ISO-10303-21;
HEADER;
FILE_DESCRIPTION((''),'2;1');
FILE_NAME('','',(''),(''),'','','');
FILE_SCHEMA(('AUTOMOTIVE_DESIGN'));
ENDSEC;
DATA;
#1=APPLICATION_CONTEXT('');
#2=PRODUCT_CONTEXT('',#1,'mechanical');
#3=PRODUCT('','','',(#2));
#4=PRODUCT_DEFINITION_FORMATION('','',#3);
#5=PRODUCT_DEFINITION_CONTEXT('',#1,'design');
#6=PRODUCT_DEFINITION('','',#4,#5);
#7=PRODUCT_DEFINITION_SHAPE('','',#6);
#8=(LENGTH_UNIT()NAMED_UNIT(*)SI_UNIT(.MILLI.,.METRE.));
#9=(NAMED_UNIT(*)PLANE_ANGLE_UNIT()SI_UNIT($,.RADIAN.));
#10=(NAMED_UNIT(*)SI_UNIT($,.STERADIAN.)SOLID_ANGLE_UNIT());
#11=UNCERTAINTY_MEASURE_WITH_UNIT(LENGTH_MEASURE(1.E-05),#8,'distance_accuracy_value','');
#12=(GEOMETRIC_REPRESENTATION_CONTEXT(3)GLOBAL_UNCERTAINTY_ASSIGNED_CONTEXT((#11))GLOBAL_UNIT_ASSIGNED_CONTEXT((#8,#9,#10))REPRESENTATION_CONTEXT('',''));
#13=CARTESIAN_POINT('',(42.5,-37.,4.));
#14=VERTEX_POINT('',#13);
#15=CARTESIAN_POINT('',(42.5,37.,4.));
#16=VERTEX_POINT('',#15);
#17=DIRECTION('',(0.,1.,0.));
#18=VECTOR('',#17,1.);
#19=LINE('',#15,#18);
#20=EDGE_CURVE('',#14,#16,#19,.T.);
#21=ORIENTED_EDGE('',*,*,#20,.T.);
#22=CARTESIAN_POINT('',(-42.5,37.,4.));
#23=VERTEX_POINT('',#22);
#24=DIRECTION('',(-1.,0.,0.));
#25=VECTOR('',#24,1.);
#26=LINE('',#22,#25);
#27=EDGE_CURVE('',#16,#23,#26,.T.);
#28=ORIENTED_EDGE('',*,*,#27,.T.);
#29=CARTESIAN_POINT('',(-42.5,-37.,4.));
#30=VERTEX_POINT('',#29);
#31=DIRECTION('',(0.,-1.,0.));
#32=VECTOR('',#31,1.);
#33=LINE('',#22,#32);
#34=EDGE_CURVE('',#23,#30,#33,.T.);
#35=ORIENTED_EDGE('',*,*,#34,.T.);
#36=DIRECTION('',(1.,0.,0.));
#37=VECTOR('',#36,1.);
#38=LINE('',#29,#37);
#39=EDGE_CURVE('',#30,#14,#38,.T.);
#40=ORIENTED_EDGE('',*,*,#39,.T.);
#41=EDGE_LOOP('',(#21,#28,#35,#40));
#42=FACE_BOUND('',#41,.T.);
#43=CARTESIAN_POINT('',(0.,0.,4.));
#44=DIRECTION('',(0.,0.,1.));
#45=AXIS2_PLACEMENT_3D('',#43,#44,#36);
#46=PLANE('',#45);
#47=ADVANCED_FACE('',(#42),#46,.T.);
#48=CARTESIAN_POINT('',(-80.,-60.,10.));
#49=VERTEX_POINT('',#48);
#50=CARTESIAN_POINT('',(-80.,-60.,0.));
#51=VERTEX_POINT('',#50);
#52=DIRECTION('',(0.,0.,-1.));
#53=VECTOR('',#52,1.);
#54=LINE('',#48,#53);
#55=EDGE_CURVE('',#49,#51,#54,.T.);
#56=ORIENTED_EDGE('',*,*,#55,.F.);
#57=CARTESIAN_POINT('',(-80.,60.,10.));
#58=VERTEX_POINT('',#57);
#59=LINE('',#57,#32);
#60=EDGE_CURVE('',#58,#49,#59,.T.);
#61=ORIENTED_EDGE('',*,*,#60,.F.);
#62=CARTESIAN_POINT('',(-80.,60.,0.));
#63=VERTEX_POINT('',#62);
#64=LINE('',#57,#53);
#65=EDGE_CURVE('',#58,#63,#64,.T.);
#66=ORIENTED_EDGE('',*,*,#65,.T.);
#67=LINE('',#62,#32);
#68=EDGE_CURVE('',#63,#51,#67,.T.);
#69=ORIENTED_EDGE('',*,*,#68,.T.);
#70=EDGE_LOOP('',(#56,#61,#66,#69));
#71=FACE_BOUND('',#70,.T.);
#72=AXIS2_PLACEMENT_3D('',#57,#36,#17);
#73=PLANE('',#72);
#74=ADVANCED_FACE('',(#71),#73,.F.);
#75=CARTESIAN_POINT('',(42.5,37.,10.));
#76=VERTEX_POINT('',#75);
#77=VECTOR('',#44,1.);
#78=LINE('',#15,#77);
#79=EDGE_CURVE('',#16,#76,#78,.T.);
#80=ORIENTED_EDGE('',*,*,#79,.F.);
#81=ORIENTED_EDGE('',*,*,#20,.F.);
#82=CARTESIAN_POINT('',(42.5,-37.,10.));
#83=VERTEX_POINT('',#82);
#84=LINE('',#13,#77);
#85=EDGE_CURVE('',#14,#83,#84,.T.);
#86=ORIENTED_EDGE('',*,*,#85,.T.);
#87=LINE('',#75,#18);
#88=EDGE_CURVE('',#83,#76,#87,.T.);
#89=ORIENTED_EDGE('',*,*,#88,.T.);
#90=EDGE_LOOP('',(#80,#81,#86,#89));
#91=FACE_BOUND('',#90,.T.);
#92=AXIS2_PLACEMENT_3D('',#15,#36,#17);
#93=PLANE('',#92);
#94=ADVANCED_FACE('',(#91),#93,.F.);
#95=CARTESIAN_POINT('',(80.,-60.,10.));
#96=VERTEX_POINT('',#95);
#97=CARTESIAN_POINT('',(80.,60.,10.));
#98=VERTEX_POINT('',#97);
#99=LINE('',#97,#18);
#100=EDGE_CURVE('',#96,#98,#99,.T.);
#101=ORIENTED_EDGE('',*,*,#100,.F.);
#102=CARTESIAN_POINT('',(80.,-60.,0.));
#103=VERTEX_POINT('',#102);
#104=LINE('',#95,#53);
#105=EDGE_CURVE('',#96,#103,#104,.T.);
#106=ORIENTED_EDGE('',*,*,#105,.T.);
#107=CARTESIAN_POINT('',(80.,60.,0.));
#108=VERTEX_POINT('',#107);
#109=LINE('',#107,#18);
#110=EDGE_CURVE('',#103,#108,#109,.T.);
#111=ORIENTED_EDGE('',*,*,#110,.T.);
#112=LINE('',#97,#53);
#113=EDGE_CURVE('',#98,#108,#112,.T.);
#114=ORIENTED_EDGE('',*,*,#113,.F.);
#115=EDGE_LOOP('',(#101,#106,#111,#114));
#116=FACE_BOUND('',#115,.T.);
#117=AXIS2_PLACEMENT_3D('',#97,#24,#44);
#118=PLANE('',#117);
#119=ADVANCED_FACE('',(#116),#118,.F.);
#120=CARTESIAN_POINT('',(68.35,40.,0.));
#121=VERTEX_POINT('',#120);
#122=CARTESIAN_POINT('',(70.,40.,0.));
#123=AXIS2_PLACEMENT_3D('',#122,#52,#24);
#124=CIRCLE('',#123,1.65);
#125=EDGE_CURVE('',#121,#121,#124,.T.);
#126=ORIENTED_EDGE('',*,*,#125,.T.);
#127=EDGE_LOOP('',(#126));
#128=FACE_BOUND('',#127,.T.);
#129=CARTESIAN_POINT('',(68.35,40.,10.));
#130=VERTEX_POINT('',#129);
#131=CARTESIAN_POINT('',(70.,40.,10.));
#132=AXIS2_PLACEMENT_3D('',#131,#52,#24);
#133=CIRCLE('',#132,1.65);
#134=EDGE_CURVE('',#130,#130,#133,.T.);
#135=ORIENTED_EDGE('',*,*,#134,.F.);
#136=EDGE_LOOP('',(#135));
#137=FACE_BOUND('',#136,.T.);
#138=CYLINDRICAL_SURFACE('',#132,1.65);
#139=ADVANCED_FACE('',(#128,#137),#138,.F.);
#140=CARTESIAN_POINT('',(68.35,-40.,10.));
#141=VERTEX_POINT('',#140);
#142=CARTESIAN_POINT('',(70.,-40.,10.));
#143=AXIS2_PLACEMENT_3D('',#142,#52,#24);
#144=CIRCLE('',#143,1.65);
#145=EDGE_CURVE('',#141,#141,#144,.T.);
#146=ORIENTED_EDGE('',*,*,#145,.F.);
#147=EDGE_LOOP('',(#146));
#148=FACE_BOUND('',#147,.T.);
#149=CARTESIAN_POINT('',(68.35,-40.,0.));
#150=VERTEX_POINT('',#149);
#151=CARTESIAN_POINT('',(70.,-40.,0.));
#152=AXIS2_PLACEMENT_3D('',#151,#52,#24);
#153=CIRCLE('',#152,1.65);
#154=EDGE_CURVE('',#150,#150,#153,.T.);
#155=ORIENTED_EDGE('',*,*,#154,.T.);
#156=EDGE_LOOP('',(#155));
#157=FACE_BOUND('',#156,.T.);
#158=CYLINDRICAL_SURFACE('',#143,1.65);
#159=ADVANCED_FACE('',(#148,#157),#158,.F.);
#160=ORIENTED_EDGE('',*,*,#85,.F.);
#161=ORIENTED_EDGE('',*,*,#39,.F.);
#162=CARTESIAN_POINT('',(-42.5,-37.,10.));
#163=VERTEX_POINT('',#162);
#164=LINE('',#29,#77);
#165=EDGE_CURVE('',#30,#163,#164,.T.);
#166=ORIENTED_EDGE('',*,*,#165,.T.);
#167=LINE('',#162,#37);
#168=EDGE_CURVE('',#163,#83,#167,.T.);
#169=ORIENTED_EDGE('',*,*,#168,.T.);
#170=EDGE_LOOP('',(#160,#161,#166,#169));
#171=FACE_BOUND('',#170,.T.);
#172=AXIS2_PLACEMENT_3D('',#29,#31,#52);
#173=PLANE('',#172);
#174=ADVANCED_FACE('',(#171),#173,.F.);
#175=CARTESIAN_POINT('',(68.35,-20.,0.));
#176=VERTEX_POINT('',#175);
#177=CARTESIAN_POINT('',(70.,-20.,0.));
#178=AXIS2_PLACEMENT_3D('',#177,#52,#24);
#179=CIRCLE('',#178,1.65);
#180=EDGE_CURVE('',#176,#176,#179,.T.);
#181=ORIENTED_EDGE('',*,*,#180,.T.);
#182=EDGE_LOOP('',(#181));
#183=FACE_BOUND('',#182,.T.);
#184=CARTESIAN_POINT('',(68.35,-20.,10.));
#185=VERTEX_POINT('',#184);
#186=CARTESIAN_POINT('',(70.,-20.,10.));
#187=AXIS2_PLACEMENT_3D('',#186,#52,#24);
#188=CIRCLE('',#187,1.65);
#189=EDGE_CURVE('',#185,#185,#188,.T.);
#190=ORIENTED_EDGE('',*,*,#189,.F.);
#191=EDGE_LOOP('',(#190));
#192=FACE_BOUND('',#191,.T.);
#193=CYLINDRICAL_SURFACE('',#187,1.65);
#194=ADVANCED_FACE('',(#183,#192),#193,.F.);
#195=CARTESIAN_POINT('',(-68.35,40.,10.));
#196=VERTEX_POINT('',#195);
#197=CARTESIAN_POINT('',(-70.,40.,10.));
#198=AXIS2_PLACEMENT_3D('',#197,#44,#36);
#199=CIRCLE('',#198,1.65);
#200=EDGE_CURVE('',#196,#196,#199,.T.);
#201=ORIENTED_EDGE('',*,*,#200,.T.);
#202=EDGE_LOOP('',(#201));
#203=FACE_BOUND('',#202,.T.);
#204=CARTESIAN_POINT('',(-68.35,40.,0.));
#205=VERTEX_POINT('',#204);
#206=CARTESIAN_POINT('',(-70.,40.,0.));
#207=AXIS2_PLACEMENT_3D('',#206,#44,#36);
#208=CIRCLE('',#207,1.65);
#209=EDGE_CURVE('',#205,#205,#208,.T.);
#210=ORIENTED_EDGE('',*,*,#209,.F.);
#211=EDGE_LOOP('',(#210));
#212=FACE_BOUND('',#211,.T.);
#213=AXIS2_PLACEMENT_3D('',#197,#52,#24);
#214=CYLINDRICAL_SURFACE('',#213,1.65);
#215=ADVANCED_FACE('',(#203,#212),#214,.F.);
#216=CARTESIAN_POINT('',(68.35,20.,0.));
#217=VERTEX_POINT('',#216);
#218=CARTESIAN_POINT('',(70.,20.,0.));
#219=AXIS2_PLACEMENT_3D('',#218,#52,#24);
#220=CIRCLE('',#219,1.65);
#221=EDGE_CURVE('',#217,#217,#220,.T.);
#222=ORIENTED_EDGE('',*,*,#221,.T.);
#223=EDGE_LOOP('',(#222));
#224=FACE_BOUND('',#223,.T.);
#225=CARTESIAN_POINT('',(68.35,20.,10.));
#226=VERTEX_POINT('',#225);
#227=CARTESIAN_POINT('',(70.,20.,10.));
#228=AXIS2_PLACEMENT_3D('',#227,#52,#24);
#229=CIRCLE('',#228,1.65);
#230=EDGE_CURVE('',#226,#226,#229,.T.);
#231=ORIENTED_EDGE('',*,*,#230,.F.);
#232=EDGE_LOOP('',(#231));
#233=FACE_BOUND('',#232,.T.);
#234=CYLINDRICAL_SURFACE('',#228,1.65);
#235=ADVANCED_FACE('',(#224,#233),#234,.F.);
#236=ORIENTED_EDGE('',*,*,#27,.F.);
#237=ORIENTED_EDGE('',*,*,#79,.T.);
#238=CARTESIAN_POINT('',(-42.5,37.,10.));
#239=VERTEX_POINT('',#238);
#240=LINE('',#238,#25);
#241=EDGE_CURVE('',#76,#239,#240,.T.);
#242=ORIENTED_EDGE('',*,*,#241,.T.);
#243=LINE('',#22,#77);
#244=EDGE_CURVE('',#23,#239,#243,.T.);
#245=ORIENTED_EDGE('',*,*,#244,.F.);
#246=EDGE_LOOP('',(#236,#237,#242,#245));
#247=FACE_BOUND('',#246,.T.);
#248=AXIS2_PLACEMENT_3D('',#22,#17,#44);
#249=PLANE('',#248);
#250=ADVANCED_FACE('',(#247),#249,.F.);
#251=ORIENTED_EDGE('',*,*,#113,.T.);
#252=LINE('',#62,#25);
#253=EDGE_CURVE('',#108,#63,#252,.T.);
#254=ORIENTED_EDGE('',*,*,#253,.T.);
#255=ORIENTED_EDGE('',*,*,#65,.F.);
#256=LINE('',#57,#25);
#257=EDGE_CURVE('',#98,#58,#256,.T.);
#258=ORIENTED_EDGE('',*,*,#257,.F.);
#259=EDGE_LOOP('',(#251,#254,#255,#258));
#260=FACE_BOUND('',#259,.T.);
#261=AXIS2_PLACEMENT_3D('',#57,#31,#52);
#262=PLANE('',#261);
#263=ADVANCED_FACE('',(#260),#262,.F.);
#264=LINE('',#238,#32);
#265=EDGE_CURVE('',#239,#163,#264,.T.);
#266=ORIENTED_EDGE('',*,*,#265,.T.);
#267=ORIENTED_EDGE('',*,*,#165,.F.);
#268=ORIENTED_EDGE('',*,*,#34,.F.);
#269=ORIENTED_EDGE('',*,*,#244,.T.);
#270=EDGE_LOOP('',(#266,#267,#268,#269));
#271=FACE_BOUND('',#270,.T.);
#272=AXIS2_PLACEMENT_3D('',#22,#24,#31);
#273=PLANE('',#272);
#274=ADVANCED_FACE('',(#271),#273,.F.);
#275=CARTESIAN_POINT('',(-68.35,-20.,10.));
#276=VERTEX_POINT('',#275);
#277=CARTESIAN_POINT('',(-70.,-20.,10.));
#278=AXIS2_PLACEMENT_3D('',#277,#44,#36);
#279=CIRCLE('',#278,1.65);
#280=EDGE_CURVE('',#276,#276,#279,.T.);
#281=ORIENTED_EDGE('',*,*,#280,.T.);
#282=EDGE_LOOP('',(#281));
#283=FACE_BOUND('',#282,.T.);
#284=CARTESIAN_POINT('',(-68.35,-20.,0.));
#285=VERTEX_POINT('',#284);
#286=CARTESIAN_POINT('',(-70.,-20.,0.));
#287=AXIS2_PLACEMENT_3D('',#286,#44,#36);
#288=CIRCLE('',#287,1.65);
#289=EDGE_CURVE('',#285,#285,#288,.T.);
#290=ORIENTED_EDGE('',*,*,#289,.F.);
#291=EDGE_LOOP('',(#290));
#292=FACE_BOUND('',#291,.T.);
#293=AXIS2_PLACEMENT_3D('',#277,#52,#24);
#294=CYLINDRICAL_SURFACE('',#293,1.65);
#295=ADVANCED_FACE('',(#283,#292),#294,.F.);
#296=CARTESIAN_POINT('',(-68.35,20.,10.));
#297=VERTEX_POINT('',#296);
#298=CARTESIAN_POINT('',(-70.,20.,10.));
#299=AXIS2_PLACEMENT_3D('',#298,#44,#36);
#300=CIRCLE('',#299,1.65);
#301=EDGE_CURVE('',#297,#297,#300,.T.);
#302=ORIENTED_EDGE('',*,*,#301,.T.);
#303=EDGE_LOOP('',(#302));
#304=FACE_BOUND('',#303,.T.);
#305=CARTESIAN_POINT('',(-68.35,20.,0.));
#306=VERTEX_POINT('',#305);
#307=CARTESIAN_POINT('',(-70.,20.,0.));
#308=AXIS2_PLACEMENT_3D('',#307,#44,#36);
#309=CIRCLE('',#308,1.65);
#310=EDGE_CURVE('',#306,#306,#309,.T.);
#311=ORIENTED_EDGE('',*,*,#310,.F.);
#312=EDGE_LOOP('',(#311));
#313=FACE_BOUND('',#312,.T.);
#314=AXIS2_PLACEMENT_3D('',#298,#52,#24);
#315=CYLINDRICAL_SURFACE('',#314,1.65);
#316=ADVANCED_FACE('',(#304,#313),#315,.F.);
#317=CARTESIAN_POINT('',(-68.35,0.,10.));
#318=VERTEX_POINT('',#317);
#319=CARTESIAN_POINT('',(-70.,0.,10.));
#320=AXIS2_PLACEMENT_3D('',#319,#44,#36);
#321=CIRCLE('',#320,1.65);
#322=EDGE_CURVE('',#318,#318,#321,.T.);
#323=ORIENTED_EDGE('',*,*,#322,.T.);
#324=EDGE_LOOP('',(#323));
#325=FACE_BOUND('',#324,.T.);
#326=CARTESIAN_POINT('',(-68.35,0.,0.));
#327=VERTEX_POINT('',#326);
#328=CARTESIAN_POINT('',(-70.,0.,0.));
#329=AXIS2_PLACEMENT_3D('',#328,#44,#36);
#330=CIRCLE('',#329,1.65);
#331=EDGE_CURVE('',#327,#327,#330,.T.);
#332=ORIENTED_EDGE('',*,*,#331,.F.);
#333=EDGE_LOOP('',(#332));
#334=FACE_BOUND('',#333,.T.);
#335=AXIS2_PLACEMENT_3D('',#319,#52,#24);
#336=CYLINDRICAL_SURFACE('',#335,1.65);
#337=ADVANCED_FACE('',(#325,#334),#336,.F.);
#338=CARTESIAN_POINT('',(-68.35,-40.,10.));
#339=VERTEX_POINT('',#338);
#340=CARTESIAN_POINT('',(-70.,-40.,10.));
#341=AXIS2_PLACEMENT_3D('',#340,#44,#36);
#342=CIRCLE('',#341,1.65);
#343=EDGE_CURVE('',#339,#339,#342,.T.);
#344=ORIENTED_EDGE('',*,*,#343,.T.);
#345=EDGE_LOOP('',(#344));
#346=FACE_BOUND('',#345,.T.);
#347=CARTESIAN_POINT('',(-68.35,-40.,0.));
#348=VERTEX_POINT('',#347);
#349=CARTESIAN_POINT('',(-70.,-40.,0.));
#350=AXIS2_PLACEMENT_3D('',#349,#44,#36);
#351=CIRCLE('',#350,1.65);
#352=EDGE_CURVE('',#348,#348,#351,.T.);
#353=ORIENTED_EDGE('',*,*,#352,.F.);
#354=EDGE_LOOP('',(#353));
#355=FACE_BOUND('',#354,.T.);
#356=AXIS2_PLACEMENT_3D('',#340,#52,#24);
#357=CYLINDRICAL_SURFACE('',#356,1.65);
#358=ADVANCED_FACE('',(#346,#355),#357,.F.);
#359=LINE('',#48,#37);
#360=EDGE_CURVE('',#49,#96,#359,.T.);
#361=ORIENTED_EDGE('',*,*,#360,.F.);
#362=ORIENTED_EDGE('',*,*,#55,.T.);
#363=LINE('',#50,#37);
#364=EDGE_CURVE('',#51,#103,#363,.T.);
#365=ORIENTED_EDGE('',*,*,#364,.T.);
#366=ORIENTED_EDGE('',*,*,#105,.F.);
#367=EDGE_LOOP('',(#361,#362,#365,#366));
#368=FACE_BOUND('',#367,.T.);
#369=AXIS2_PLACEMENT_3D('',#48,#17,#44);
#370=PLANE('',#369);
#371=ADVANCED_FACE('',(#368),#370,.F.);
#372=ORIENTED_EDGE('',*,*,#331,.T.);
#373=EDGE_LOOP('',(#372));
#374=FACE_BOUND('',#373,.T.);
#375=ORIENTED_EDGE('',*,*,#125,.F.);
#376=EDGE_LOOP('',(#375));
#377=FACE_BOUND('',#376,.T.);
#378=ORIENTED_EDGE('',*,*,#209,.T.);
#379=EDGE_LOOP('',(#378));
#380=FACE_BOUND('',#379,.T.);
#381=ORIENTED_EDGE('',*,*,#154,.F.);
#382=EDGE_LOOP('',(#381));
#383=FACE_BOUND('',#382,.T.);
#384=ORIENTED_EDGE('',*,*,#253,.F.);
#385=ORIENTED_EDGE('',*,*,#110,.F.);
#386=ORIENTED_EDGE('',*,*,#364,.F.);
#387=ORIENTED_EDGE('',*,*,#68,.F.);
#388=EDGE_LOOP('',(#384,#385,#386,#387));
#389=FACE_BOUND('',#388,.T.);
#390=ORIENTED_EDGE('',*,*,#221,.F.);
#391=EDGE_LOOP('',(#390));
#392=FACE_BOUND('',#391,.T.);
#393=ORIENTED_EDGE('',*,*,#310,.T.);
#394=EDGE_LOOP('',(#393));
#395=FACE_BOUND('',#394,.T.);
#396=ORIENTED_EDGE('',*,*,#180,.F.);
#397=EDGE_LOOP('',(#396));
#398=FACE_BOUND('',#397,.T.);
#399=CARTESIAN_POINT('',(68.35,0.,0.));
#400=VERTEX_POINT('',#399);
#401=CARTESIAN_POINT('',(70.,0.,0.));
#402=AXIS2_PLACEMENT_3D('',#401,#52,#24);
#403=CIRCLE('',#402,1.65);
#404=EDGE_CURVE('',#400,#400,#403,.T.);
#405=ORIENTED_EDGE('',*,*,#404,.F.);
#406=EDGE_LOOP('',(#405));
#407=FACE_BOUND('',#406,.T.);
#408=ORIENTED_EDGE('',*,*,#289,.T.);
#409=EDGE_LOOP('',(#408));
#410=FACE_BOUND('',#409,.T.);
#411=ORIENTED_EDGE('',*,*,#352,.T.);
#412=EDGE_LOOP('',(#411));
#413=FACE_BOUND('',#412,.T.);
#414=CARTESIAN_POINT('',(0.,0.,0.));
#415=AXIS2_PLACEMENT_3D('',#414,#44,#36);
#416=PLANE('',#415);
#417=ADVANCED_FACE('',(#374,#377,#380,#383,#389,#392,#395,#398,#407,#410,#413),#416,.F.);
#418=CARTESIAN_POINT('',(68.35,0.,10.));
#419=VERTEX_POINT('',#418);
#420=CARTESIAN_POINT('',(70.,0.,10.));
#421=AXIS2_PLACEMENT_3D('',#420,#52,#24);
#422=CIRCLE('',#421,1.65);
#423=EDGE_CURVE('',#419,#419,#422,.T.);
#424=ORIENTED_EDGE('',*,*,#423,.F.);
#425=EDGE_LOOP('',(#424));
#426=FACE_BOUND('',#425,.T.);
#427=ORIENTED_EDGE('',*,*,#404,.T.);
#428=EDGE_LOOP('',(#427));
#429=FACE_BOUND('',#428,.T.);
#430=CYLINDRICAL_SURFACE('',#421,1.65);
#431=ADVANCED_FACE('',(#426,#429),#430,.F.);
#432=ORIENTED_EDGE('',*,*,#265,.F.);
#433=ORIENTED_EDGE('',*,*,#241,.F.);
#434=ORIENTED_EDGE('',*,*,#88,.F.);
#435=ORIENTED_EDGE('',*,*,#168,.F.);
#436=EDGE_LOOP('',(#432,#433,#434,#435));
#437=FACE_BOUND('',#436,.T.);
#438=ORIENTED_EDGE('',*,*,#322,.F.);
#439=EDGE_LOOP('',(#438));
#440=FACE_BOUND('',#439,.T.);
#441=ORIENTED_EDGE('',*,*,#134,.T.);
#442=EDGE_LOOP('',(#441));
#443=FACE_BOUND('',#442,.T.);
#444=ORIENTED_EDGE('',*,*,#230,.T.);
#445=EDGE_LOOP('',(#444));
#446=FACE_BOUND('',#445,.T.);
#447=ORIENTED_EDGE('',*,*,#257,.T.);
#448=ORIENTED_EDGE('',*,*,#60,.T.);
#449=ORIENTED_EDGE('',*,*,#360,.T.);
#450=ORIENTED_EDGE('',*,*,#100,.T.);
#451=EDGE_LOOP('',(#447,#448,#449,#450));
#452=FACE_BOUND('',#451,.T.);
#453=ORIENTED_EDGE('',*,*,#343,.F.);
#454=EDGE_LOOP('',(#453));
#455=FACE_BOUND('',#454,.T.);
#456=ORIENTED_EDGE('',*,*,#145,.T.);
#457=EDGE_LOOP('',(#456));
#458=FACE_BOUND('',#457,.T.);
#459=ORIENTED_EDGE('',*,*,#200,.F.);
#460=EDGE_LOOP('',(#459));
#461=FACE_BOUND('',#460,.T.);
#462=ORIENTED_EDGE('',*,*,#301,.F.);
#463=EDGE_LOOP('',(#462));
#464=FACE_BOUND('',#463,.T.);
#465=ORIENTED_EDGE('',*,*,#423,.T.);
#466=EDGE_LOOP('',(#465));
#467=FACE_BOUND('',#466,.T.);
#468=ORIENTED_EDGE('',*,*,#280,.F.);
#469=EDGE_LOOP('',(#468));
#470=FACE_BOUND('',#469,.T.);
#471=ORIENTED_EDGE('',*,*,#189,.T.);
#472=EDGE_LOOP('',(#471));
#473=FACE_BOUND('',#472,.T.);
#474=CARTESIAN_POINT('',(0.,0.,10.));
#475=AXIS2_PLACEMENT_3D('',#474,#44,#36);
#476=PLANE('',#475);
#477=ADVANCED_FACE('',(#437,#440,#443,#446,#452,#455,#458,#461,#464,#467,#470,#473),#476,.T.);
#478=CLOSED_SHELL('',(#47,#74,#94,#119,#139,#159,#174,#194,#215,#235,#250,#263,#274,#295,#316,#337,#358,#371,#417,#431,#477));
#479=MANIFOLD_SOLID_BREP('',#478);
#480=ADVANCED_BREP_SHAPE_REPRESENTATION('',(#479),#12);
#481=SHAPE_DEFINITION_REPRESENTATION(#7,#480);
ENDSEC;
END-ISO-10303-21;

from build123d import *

# Parameters (mm, degrees)
SKETCH_1_W          = 160
SKETCH_1_H          = 120
EXTRUDE_1_DEPTH     = 10
SKETCH_2_W          = 85
SKETCH_2_H          = 74
CUT_EXTRUDE_1_DEPTH = 6
SKETCH_3_R          = 1.65
CUT_EXTRUDE_2_DEPTH = 101.498756211


with BuildPart() as part:
    # 草图1 → 凸台-拉伸1 (new body)
    with BuildSketch(Plane.XY):
        Rectangle(SKETCH_1_W, SKETCH_1_H)
    extrude(amount=EXTRUDE_1_DEPTH)

    # 草图2 → 切除-拉伸1 (cut)
    with BuildSketch(Plane.XY.offset(10)):
        Rectangle(SKETCH_2_W, SKETCH_2_H)
    extrude(amount=-CUT_EXTRUDE_1_DEPTH, mode=Mode.SUBTRACT)

    # 草图3 → 切除-拉伸2 (cut, through all)
    with BuildSketch(Plane(origin=(0, 0, 0), x_dir=(-1, 0, 0), z_dir=(0, 0, -1))):
        with Locations((-70, 40)):
            Circle(SKETCH_3_R)
        with Locations((-70, 20)):
            Circle(SKETCH_3_R)
        with Locations((-70, 0)):
            Circle(SKETCH_3_R)
        with Locations((-70, -20)):
            Circle(SKETCH_3_R)
        with Locations((-70, -40)):
            Circle(SKETCH_3_R)
    cut_extrude_2 = extrude(amount=-CUT_EXTRUDE_2_DEPTH, mode=Mode.SUBTRACT)

    # 镜向1: 切除-拉伸2 across plane
    add(cut_extrude_2.mirror(Plane(origin=(0, 0, 0), x_dir=(0, 0, 1), z_dir=(1, 0, 0))), mode=Mode.SUBTRACT)


solid = part.part
